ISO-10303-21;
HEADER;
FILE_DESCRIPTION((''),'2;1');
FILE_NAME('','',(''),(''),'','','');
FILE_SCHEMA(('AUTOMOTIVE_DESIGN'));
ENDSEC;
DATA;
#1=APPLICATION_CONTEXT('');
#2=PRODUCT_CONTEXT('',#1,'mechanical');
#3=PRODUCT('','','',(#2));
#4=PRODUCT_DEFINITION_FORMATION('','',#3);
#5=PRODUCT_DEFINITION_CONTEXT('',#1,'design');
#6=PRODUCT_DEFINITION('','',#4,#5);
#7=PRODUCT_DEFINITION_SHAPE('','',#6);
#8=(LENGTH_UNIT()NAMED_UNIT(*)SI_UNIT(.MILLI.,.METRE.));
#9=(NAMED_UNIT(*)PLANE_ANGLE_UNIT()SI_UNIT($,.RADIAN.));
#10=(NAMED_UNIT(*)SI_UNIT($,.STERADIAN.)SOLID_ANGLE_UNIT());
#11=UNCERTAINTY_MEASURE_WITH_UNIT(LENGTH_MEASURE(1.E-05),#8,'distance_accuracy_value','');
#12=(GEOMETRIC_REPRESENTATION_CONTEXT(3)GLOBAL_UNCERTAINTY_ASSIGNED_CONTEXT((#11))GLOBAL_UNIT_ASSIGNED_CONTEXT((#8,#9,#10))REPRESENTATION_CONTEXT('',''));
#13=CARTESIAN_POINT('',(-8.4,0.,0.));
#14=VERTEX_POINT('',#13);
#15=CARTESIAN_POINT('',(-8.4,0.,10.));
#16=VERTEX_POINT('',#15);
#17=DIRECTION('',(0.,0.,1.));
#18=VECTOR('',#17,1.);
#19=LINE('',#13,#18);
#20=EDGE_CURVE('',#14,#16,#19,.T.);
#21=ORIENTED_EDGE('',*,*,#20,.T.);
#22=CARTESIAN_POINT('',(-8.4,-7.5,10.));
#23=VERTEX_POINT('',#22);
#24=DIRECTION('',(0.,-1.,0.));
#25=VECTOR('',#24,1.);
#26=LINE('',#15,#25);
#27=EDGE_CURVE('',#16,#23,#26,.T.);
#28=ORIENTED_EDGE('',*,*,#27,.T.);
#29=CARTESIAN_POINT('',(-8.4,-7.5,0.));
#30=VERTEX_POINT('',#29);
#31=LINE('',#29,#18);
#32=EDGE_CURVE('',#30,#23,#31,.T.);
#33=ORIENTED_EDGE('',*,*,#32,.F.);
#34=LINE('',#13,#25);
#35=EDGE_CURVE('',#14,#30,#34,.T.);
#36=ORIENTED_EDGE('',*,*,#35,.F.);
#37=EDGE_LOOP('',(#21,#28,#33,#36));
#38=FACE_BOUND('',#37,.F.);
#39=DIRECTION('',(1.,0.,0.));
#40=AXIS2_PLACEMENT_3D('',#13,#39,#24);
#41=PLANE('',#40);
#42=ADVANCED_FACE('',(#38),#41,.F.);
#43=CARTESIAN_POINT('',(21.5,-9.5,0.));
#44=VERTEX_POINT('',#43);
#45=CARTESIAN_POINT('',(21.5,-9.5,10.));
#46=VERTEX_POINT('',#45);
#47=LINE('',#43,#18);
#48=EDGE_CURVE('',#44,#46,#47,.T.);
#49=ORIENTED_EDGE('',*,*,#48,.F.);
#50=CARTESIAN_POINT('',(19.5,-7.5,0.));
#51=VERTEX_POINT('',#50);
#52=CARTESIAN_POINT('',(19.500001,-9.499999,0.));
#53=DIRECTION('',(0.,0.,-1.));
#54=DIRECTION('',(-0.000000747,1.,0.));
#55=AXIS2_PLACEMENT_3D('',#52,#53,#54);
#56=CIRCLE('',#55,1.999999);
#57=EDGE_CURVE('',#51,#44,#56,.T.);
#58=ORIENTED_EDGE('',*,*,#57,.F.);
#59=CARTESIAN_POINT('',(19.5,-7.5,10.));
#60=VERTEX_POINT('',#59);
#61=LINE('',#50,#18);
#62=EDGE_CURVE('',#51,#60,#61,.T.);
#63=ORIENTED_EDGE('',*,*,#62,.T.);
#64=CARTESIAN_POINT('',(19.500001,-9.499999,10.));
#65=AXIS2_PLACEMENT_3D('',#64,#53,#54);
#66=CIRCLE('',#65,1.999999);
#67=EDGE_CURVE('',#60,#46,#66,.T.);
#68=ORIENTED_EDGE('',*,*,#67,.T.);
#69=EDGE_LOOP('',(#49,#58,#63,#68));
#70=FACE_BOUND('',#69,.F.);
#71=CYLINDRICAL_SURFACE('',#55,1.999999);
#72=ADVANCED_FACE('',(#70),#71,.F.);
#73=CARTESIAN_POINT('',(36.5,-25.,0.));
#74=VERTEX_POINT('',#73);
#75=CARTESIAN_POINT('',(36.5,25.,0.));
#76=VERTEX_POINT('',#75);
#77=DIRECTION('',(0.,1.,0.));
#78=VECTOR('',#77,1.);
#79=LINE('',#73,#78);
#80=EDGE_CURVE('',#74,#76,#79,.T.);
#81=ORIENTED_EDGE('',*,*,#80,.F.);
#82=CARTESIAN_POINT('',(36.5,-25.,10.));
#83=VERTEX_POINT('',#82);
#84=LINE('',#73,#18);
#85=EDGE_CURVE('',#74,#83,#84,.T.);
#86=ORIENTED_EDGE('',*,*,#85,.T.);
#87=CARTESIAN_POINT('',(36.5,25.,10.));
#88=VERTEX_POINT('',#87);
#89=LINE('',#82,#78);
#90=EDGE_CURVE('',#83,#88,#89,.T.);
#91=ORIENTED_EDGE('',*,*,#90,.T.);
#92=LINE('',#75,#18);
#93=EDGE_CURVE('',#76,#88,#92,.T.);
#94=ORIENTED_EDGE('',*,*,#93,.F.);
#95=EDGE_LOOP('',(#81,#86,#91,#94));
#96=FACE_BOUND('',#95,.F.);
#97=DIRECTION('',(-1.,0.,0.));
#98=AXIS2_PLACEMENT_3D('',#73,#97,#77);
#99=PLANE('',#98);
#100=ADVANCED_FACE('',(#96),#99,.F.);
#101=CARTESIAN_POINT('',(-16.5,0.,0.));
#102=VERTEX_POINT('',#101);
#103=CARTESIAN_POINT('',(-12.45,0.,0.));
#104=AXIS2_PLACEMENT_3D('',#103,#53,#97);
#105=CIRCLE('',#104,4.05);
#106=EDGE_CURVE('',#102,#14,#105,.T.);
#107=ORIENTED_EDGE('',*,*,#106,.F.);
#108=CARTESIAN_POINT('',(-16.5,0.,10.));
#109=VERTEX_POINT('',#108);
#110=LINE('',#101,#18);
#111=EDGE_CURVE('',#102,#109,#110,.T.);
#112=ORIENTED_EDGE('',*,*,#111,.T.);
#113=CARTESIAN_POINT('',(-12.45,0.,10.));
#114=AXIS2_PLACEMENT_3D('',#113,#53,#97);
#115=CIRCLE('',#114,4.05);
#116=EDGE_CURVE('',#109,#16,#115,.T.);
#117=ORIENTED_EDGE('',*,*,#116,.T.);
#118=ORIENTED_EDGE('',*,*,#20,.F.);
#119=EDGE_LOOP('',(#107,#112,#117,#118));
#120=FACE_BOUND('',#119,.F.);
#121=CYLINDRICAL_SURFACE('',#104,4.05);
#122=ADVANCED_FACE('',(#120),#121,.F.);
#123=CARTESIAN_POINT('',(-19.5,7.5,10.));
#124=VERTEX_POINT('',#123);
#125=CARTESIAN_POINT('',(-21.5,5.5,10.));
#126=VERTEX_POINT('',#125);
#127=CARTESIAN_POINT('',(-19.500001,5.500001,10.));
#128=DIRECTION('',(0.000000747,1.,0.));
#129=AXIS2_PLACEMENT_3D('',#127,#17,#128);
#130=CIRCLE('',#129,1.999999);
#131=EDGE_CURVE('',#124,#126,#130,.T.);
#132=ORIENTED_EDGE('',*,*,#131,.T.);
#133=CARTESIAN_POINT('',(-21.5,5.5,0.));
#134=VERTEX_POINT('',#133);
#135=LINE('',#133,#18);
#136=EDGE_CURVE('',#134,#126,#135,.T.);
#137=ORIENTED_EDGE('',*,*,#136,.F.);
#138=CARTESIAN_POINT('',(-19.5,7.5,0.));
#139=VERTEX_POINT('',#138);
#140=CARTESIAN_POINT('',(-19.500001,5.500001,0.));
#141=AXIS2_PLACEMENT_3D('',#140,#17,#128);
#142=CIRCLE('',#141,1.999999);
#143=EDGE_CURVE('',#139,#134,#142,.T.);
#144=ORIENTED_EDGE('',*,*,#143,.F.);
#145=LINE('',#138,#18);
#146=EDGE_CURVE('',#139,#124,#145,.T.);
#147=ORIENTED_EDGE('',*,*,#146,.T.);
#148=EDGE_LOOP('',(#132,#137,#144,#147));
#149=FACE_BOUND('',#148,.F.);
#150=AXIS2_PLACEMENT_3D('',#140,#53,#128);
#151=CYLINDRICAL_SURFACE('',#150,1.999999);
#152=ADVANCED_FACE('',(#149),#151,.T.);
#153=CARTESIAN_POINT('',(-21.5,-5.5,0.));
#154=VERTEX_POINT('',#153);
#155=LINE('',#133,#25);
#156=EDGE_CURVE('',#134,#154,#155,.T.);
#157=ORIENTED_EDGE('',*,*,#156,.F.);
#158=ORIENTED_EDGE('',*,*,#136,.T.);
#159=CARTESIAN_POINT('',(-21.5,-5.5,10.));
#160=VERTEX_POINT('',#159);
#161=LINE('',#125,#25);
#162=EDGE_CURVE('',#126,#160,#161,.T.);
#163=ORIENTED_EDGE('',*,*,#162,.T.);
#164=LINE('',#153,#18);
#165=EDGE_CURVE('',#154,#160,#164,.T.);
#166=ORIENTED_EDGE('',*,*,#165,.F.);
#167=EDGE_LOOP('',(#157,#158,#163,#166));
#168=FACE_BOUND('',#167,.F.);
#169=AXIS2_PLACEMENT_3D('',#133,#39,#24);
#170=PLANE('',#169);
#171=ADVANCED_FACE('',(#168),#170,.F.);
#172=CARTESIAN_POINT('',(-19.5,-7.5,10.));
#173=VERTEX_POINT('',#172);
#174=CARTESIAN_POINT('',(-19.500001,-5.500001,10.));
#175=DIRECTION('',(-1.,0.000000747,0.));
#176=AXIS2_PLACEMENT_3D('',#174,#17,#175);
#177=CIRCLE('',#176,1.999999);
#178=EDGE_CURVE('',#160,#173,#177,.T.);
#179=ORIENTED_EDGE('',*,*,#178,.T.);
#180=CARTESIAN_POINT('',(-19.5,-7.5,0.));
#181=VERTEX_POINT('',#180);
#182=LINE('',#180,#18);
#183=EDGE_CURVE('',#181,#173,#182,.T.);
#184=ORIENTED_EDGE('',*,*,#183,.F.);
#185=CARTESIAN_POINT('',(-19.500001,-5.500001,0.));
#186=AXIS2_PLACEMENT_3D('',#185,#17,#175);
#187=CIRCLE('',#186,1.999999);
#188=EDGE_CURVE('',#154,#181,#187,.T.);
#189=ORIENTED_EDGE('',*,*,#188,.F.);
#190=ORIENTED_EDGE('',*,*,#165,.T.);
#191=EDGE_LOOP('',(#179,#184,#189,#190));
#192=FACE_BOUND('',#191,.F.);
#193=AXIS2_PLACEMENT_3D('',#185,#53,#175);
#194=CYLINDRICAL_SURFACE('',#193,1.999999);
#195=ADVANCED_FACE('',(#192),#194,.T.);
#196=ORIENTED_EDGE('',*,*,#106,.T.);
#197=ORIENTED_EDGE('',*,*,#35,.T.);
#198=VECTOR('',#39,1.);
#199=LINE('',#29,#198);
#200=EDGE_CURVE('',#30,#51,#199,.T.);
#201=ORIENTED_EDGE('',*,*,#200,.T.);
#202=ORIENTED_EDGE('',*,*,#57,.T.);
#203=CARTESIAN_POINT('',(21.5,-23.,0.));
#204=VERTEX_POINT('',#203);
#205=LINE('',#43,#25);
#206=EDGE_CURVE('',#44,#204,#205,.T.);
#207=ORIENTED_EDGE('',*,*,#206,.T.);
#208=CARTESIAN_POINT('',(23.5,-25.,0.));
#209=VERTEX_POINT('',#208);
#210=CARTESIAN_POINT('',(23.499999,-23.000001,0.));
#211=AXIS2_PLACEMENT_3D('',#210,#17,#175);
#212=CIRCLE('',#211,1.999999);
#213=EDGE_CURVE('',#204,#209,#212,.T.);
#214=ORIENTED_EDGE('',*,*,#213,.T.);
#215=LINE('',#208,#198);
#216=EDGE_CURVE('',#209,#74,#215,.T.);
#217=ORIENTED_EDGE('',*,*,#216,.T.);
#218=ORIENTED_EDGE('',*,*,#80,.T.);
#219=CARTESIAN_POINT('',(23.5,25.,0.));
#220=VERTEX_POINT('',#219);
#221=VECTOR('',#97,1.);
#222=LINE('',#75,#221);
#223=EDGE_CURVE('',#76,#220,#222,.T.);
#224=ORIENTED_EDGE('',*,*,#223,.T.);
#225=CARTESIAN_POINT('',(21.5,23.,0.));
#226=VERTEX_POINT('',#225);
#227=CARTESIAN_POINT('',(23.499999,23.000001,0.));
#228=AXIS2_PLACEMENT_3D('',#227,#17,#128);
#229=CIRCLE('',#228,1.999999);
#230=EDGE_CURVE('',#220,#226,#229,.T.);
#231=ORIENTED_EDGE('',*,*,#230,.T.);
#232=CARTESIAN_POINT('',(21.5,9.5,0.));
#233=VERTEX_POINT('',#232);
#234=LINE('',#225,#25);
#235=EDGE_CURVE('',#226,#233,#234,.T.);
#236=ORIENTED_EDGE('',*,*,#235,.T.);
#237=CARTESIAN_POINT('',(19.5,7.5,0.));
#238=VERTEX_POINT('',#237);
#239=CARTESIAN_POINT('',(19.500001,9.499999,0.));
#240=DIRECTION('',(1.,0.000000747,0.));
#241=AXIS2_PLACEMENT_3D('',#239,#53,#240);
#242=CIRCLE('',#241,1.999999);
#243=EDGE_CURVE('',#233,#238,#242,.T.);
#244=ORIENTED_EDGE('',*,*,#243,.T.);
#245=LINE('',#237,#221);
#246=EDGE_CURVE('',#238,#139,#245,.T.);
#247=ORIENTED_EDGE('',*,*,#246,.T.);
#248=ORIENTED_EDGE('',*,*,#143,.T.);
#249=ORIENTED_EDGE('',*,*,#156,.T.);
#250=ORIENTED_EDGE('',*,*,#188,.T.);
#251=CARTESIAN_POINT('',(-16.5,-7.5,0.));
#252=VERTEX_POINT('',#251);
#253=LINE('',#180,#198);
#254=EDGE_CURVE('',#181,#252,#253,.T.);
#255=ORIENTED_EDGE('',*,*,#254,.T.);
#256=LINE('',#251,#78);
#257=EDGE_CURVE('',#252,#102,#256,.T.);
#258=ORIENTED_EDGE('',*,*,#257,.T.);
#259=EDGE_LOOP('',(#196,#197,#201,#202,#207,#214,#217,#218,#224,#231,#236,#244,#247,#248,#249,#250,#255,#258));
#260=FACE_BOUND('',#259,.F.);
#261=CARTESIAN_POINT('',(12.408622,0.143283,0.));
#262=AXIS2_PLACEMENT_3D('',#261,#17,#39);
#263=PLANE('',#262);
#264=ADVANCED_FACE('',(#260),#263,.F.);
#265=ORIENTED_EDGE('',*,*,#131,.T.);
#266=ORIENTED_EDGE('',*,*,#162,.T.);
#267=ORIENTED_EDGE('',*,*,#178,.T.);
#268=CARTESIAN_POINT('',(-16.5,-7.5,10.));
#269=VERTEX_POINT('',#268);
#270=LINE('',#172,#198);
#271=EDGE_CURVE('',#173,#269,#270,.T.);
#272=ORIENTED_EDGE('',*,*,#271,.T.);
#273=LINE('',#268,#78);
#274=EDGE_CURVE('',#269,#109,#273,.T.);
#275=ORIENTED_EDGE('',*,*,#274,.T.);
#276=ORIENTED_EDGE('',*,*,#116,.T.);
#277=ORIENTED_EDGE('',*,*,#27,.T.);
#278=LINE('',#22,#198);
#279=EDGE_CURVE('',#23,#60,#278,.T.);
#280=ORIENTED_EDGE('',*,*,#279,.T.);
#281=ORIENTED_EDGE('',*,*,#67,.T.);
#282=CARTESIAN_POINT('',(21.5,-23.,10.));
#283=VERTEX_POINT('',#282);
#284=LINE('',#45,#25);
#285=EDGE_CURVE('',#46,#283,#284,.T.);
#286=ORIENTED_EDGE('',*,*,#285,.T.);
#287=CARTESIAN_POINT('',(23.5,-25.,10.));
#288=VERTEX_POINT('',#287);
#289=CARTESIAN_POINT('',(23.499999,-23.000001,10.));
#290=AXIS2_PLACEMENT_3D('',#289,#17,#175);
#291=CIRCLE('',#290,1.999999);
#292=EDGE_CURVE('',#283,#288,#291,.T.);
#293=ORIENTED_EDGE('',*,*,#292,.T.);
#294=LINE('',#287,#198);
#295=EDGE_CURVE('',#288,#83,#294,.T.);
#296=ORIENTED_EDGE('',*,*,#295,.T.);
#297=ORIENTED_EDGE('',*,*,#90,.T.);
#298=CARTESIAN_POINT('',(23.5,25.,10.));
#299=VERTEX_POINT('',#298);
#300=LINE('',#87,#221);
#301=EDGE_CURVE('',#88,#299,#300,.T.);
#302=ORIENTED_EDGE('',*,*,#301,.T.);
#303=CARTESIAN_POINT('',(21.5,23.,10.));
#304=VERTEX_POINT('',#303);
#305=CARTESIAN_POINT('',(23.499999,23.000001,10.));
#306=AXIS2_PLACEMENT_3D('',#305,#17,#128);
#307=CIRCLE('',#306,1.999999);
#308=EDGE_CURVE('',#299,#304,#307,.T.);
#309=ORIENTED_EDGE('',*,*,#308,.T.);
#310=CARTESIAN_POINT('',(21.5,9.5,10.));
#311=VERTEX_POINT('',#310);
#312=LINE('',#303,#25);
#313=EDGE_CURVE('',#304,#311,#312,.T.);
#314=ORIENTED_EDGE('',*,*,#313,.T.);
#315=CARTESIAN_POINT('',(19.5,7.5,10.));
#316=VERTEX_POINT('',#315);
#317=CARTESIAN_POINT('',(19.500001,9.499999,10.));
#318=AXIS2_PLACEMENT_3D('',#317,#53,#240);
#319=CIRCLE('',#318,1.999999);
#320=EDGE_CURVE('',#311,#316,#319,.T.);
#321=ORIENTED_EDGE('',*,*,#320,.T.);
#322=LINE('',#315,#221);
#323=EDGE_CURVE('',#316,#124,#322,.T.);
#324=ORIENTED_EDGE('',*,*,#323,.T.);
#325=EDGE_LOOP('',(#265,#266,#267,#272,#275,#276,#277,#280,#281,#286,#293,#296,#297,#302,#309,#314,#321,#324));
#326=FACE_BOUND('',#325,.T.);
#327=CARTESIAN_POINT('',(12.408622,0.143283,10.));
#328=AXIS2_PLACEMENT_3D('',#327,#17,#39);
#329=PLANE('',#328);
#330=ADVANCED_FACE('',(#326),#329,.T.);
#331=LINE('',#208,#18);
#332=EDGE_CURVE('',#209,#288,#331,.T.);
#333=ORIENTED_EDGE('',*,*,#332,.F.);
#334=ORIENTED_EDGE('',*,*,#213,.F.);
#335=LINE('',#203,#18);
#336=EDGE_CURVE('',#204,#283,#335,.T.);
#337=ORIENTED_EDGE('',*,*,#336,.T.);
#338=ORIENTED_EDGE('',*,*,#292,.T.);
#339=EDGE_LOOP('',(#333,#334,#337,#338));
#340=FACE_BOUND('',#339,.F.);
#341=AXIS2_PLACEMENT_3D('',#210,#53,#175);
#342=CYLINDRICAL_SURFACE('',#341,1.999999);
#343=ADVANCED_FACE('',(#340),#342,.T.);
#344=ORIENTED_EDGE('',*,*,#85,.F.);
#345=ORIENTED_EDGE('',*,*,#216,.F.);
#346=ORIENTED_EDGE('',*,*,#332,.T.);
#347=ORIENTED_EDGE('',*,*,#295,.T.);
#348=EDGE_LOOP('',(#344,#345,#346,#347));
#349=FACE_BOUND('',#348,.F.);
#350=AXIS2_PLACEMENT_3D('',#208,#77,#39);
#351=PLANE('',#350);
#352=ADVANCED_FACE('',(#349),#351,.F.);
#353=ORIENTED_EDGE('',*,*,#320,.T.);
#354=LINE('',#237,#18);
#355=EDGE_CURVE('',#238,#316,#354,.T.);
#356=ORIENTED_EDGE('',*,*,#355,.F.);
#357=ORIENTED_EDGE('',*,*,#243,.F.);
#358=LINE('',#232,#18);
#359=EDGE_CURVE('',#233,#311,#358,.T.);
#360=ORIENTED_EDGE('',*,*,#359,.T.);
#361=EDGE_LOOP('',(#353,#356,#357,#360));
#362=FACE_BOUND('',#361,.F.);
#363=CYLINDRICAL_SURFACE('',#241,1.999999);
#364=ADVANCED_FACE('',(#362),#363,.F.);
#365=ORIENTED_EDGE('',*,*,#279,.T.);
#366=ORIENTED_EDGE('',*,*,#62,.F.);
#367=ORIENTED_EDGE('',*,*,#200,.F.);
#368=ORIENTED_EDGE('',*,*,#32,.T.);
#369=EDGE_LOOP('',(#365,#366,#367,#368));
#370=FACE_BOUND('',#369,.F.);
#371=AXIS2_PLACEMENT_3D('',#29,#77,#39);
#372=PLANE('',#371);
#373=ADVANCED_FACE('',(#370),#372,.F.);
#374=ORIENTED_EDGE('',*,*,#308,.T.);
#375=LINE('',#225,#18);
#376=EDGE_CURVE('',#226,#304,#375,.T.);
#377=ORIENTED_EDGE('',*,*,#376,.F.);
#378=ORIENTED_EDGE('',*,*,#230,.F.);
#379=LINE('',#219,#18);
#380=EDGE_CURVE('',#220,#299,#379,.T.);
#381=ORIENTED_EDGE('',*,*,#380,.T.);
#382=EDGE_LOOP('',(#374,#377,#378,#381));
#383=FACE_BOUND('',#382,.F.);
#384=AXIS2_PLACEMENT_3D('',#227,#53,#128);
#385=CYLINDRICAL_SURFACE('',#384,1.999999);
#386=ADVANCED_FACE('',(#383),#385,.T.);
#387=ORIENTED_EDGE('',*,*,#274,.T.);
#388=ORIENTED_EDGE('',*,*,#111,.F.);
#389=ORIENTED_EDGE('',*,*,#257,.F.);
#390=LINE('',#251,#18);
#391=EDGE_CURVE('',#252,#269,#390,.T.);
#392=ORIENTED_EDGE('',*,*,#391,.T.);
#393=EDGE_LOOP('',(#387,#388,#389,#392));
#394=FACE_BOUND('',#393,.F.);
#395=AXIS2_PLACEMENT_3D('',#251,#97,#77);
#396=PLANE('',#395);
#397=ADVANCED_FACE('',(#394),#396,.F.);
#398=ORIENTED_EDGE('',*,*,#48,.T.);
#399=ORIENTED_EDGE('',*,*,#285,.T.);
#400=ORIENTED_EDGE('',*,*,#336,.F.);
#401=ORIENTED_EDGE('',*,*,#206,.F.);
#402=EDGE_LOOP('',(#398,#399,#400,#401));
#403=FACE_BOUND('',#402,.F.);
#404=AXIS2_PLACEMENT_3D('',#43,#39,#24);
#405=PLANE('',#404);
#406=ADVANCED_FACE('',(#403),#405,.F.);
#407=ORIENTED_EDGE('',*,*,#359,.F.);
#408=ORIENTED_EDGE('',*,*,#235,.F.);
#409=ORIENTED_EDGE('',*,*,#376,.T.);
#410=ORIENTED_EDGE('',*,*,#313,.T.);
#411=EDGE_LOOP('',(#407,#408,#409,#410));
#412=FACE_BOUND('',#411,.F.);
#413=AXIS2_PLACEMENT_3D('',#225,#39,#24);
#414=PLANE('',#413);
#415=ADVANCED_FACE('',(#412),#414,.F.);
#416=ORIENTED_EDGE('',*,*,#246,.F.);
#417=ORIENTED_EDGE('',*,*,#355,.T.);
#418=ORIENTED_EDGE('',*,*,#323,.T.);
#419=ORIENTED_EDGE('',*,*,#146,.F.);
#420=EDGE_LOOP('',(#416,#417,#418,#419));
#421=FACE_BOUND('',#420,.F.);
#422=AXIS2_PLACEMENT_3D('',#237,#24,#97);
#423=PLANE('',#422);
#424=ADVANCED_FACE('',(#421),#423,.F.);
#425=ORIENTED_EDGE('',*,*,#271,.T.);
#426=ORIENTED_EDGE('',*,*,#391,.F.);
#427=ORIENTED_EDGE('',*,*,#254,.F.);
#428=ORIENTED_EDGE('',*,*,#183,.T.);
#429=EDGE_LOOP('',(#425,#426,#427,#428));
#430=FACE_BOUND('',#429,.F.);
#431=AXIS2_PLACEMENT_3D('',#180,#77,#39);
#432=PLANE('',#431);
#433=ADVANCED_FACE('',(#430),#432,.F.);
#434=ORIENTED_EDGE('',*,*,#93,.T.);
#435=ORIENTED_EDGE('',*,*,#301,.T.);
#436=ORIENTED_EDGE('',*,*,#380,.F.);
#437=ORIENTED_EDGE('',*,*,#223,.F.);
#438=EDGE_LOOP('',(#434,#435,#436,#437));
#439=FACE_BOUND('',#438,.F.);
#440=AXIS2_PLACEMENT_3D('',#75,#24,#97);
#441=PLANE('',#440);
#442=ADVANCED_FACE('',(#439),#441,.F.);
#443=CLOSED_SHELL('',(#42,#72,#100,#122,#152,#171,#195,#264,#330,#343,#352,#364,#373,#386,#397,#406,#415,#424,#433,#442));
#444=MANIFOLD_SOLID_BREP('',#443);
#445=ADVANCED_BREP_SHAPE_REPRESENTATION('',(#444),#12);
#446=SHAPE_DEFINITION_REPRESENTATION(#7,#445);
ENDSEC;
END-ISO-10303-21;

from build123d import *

# Parameters (mm, degrees)
F1_DEPTH = 10


with BuildPart() as f1:
    # F0 (on Top) → F1 (new body)
    with BuildSketch(Plane.XY):
        with BuildLine():
            Line((-8.4, -7.5), (19.5, -7.5))
            ThreePointArc((19.5, -7.5), (20.914214, -8.085786), (21.5, -9.5))
            Line((21.5, -9.5), (21.5, -23))
            ThreePointArc((21.5, -23), (22.085786, -24.414214), (23.5, -25))
            Line((23.5, -25), (36.5, -25))
            Line((36.5, -25), (36.5, 25))
            Line((36.5, 25), (23.5, 25))
            ThreePointArc((23.5, 25), (22.085786, 24.414214), (21.5, 23))
            Line((21.5, 23), (21.5, 9.5))
            ThreePointArc((21.5, 9.5), (20.914214, 8.085786), (19.5, 7.5))
            Line((19.5, 7.5), (-19.5, 7.5))
            ThreePointArc((-19.5, 7.5), (-20.914214, 6.914214), (-21.5, 5.5))
            Line((-21.5, 5.5), (-21.5, -5.5))
            ThreePointArc((-21.5, -5.5), (-20.914214, -6.914214), (-19.5, -7.5))
            Line((-19.5, -7.5), (-16.5, -7.5))
            Line((-16.5, -7.5), (-16.5, 0))
            ThreePointArc((-16.5, 0), (-12.45, 4.05), (-8.4, 0))
            Line((-8.4, 0), (-8.4, -7.5))
        make_face()
    extrude(amount=F1_DEPTH)


solid = f1.part
